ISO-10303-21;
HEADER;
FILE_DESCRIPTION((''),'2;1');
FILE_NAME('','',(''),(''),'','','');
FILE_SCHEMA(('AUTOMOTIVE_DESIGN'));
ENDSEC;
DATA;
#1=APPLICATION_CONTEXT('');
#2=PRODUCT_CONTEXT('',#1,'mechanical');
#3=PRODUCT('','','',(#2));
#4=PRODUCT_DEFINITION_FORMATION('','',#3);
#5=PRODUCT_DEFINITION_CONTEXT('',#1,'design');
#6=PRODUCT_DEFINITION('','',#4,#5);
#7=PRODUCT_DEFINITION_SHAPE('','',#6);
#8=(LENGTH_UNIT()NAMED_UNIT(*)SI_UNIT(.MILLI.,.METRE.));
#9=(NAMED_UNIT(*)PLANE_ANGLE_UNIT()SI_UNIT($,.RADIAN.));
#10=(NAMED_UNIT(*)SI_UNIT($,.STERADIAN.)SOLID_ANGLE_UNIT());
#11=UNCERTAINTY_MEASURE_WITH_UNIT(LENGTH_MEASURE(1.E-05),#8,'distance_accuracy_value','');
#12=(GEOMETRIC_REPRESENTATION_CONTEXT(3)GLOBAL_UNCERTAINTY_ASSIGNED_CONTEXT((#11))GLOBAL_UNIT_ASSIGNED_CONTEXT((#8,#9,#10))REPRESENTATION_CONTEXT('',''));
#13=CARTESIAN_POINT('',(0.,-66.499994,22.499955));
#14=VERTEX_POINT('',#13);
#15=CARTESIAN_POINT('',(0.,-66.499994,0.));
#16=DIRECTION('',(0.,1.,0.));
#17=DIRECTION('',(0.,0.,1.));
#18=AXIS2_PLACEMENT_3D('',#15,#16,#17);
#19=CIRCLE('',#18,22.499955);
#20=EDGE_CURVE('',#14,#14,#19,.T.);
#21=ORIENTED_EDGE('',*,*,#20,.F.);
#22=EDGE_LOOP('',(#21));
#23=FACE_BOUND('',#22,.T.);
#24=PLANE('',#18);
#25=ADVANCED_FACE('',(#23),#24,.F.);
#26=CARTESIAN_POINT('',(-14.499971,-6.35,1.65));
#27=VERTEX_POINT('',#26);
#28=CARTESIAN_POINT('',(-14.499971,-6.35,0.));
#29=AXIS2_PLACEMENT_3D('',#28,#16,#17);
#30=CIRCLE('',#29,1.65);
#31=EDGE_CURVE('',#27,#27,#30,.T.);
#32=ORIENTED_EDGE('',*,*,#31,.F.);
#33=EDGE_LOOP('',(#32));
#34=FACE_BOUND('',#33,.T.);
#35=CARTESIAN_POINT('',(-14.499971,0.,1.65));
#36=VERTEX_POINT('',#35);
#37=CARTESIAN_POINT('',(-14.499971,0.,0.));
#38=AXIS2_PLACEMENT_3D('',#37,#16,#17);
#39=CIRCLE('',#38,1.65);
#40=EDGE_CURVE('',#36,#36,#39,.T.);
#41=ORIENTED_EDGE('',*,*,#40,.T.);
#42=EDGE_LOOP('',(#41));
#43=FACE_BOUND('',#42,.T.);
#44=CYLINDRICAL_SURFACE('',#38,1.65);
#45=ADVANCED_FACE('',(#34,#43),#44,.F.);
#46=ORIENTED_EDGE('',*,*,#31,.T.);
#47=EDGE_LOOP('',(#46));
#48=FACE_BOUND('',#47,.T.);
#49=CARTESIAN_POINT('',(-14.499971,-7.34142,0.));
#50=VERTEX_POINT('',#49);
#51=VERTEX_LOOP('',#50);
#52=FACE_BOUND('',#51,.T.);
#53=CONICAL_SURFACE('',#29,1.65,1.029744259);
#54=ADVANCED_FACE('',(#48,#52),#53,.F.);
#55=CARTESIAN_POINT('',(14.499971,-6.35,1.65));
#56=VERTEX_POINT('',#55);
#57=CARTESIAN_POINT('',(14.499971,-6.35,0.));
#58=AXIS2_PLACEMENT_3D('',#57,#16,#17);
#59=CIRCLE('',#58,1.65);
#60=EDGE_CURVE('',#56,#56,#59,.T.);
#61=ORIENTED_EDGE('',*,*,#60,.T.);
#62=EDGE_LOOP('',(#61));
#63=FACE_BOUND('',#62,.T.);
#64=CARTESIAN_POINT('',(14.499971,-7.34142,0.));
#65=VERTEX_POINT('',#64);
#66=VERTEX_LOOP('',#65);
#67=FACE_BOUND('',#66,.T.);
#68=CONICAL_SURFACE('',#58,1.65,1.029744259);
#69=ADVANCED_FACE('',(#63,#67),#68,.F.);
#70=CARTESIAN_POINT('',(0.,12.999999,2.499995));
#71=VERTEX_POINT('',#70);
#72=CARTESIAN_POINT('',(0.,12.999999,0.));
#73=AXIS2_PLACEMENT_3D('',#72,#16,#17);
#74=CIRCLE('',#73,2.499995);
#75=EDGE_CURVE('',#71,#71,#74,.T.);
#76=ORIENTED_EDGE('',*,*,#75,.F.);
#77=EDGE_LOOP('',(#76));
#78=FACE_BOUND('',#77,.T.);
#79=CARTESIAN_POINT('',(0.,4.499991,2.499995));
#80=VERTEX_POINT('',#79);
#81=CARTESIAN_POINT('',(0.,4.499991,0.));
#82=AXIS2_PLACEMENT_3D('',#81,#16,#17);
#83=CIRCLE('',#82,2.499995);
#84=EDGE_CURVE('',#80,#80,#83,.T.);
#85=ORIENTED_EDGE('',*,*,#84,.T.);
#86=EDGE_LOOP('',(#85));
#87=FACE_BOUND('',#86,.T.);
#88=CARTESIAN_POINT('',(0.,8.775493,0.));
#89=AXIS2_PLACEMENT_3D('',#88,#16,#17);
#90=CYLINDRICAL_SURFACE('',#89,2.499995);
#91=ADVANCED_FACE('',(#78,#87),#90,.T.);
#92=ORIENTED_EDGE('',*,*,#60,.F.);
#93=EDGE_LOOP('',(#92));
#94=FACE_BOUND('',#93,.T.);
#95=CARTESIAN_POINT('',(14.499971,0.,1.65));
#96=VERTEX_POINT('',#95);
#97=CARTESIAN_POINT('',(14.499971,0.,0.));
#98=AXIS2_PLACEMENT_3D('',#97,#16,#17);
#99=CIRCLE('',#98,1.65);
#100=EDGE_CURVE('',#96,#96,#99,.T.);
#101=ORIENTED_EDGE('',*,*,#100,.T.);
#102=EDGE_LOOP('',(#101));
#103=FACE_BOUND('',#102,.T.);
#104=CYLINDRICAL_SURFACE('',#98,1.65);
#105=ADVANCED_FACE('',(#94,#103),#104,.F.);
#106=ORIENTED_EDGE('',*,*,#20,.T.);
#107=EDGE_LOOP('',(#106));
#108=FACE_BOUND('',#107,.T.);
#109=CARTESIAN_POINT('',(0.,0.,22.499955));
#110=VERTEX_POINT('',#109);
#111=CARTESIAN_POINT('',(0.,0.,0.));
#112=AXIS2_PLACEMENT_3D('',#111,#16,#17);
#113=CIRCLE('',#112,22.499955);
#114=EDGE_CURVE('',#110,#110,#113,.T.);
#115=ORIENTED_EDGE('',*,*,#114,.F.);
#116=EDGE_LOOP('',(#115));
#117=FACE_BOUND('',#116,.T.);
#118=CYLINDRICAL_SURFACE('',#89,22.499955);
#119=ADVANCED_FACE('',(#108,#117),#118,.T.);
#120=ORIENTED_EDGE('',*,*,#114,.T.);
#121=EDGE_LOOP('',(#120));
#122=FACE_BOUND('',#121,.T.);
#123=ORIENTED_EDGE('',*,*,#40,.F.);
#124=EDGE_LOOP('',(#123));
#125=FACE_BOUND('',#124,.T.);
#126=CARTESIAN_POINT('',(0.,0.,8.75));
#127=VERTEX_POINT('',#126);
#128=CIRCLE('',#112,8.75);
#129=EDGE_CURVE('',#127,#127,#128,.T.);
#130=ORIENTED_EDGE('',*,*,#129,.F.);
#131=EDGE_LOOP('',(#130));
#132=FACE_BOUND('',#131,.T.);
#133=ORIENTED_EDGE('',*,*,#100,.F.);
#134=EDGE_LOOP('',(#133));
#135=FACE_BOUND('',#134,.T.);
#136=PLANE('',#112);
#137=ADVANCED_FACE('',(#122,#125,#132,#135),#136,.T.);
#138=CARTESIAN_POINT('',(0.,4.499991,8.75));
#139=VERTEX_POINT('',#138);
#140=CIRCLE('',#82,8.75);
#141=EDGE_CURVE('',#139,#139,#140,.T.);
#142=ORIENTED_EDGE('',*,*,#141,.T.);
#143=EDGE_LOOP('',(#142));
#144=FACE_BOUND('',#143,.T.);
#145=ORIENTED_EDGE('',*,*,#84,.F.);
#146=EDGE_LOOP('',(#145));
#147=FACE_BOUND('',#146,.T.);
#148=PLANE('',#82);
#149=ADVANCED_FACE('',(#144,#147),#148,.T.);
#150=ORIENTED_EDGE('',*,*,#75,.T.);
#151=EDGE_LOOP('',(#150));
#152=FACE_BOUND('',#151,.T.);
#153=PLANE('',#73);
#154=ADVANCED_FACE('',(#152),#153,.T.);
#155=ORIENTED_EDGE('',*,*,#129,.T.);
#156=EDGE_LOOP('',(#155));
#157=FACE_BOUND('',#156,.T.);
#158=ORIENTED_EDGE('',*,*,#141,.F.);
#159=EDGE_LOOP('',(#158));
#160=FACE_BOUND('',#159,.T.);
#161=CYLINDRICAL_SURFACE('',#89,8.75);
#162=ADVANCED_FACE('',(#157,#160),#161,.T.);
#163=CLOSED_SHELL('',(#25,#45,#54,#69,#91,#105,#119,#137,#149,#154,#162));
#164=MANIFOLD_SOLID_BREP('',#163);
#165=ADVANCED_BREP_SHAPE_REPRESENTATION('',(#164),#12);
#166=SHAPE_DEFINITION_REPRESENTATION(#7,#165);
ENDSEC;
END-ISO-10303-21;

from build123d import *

# Parameters (mm, degrees)
SKETCH1_W                       = 2.499995
SKETCH1_H                       = 8.5000084
SKETCH1_W_2                     = 8.75000028
SKETCH1_H_2                     = 4.499991
TAP_DRILL_FOR_M4X0_7_TAP1_D     = 3.3
TAP_DRILL_FOR_M4X0_7_TAP1_DEPTH = 6.35
TAP_DRILL_FOR_M4X0_7_TAP1_TIP   = 0.991420021


with BuildPart() as part:
    # Sketch1 → Revolve1 (revolve)
    with BuildSketch(Plane.XY, mode=Mode.PRIVATE) as revolve1_sk:
        Polygon((8.75000028, 0), (0, 0), (0, -66.499994), (22.499955, -66.499994), (22.499955, 0), align=None)
        with Locations((1.2499975, 8.7499952)):
            Rectangle(SKETCH1_W, SKETCH1_H)
        with Locations((4.37500014, 2.2499955)):
            Rectangle(SKETCH1_W_2, SKETCH1_H_2)
    revolve(revolve1_sk.sketch.rotate(Axis((0, 8.775492653, 0), (0, -1, 0)), 90), axis=Axis((0, 8.775492653, 0), (0, -1, 0)))

    # Tap Drill for M4x0.7 Tap1
    with Locations(Plane(origin=(0, 0, 0), x_dir=(1, 0, 0), z_dir=(0, 1, 0))):
        with Locations((-14.499971, 0), (14.499971, 0)):
            Hole(TAP_DRILL_FOR_M4X0_7_TAP1_D / 2, depth=TAP_DRILL_FOR_M4X0_7_TAP1_DEPTH)
            with Locations((0, 0, -(TAP_DRILL_FOR_M4X0_7_TAP1_DEPTH + TAP_DRILL_FOR_M4X0_7_TAP1_TIP / 2))):  # 118° drill point
                Cone(0, TAP_DRILL_FOR_M4X0_7_TAP1_D / 2, TAP_DRILL_FOR_M4X0_7_TAP1_TIP, mode=Mode.SUBTRACT)


solid = part.part
